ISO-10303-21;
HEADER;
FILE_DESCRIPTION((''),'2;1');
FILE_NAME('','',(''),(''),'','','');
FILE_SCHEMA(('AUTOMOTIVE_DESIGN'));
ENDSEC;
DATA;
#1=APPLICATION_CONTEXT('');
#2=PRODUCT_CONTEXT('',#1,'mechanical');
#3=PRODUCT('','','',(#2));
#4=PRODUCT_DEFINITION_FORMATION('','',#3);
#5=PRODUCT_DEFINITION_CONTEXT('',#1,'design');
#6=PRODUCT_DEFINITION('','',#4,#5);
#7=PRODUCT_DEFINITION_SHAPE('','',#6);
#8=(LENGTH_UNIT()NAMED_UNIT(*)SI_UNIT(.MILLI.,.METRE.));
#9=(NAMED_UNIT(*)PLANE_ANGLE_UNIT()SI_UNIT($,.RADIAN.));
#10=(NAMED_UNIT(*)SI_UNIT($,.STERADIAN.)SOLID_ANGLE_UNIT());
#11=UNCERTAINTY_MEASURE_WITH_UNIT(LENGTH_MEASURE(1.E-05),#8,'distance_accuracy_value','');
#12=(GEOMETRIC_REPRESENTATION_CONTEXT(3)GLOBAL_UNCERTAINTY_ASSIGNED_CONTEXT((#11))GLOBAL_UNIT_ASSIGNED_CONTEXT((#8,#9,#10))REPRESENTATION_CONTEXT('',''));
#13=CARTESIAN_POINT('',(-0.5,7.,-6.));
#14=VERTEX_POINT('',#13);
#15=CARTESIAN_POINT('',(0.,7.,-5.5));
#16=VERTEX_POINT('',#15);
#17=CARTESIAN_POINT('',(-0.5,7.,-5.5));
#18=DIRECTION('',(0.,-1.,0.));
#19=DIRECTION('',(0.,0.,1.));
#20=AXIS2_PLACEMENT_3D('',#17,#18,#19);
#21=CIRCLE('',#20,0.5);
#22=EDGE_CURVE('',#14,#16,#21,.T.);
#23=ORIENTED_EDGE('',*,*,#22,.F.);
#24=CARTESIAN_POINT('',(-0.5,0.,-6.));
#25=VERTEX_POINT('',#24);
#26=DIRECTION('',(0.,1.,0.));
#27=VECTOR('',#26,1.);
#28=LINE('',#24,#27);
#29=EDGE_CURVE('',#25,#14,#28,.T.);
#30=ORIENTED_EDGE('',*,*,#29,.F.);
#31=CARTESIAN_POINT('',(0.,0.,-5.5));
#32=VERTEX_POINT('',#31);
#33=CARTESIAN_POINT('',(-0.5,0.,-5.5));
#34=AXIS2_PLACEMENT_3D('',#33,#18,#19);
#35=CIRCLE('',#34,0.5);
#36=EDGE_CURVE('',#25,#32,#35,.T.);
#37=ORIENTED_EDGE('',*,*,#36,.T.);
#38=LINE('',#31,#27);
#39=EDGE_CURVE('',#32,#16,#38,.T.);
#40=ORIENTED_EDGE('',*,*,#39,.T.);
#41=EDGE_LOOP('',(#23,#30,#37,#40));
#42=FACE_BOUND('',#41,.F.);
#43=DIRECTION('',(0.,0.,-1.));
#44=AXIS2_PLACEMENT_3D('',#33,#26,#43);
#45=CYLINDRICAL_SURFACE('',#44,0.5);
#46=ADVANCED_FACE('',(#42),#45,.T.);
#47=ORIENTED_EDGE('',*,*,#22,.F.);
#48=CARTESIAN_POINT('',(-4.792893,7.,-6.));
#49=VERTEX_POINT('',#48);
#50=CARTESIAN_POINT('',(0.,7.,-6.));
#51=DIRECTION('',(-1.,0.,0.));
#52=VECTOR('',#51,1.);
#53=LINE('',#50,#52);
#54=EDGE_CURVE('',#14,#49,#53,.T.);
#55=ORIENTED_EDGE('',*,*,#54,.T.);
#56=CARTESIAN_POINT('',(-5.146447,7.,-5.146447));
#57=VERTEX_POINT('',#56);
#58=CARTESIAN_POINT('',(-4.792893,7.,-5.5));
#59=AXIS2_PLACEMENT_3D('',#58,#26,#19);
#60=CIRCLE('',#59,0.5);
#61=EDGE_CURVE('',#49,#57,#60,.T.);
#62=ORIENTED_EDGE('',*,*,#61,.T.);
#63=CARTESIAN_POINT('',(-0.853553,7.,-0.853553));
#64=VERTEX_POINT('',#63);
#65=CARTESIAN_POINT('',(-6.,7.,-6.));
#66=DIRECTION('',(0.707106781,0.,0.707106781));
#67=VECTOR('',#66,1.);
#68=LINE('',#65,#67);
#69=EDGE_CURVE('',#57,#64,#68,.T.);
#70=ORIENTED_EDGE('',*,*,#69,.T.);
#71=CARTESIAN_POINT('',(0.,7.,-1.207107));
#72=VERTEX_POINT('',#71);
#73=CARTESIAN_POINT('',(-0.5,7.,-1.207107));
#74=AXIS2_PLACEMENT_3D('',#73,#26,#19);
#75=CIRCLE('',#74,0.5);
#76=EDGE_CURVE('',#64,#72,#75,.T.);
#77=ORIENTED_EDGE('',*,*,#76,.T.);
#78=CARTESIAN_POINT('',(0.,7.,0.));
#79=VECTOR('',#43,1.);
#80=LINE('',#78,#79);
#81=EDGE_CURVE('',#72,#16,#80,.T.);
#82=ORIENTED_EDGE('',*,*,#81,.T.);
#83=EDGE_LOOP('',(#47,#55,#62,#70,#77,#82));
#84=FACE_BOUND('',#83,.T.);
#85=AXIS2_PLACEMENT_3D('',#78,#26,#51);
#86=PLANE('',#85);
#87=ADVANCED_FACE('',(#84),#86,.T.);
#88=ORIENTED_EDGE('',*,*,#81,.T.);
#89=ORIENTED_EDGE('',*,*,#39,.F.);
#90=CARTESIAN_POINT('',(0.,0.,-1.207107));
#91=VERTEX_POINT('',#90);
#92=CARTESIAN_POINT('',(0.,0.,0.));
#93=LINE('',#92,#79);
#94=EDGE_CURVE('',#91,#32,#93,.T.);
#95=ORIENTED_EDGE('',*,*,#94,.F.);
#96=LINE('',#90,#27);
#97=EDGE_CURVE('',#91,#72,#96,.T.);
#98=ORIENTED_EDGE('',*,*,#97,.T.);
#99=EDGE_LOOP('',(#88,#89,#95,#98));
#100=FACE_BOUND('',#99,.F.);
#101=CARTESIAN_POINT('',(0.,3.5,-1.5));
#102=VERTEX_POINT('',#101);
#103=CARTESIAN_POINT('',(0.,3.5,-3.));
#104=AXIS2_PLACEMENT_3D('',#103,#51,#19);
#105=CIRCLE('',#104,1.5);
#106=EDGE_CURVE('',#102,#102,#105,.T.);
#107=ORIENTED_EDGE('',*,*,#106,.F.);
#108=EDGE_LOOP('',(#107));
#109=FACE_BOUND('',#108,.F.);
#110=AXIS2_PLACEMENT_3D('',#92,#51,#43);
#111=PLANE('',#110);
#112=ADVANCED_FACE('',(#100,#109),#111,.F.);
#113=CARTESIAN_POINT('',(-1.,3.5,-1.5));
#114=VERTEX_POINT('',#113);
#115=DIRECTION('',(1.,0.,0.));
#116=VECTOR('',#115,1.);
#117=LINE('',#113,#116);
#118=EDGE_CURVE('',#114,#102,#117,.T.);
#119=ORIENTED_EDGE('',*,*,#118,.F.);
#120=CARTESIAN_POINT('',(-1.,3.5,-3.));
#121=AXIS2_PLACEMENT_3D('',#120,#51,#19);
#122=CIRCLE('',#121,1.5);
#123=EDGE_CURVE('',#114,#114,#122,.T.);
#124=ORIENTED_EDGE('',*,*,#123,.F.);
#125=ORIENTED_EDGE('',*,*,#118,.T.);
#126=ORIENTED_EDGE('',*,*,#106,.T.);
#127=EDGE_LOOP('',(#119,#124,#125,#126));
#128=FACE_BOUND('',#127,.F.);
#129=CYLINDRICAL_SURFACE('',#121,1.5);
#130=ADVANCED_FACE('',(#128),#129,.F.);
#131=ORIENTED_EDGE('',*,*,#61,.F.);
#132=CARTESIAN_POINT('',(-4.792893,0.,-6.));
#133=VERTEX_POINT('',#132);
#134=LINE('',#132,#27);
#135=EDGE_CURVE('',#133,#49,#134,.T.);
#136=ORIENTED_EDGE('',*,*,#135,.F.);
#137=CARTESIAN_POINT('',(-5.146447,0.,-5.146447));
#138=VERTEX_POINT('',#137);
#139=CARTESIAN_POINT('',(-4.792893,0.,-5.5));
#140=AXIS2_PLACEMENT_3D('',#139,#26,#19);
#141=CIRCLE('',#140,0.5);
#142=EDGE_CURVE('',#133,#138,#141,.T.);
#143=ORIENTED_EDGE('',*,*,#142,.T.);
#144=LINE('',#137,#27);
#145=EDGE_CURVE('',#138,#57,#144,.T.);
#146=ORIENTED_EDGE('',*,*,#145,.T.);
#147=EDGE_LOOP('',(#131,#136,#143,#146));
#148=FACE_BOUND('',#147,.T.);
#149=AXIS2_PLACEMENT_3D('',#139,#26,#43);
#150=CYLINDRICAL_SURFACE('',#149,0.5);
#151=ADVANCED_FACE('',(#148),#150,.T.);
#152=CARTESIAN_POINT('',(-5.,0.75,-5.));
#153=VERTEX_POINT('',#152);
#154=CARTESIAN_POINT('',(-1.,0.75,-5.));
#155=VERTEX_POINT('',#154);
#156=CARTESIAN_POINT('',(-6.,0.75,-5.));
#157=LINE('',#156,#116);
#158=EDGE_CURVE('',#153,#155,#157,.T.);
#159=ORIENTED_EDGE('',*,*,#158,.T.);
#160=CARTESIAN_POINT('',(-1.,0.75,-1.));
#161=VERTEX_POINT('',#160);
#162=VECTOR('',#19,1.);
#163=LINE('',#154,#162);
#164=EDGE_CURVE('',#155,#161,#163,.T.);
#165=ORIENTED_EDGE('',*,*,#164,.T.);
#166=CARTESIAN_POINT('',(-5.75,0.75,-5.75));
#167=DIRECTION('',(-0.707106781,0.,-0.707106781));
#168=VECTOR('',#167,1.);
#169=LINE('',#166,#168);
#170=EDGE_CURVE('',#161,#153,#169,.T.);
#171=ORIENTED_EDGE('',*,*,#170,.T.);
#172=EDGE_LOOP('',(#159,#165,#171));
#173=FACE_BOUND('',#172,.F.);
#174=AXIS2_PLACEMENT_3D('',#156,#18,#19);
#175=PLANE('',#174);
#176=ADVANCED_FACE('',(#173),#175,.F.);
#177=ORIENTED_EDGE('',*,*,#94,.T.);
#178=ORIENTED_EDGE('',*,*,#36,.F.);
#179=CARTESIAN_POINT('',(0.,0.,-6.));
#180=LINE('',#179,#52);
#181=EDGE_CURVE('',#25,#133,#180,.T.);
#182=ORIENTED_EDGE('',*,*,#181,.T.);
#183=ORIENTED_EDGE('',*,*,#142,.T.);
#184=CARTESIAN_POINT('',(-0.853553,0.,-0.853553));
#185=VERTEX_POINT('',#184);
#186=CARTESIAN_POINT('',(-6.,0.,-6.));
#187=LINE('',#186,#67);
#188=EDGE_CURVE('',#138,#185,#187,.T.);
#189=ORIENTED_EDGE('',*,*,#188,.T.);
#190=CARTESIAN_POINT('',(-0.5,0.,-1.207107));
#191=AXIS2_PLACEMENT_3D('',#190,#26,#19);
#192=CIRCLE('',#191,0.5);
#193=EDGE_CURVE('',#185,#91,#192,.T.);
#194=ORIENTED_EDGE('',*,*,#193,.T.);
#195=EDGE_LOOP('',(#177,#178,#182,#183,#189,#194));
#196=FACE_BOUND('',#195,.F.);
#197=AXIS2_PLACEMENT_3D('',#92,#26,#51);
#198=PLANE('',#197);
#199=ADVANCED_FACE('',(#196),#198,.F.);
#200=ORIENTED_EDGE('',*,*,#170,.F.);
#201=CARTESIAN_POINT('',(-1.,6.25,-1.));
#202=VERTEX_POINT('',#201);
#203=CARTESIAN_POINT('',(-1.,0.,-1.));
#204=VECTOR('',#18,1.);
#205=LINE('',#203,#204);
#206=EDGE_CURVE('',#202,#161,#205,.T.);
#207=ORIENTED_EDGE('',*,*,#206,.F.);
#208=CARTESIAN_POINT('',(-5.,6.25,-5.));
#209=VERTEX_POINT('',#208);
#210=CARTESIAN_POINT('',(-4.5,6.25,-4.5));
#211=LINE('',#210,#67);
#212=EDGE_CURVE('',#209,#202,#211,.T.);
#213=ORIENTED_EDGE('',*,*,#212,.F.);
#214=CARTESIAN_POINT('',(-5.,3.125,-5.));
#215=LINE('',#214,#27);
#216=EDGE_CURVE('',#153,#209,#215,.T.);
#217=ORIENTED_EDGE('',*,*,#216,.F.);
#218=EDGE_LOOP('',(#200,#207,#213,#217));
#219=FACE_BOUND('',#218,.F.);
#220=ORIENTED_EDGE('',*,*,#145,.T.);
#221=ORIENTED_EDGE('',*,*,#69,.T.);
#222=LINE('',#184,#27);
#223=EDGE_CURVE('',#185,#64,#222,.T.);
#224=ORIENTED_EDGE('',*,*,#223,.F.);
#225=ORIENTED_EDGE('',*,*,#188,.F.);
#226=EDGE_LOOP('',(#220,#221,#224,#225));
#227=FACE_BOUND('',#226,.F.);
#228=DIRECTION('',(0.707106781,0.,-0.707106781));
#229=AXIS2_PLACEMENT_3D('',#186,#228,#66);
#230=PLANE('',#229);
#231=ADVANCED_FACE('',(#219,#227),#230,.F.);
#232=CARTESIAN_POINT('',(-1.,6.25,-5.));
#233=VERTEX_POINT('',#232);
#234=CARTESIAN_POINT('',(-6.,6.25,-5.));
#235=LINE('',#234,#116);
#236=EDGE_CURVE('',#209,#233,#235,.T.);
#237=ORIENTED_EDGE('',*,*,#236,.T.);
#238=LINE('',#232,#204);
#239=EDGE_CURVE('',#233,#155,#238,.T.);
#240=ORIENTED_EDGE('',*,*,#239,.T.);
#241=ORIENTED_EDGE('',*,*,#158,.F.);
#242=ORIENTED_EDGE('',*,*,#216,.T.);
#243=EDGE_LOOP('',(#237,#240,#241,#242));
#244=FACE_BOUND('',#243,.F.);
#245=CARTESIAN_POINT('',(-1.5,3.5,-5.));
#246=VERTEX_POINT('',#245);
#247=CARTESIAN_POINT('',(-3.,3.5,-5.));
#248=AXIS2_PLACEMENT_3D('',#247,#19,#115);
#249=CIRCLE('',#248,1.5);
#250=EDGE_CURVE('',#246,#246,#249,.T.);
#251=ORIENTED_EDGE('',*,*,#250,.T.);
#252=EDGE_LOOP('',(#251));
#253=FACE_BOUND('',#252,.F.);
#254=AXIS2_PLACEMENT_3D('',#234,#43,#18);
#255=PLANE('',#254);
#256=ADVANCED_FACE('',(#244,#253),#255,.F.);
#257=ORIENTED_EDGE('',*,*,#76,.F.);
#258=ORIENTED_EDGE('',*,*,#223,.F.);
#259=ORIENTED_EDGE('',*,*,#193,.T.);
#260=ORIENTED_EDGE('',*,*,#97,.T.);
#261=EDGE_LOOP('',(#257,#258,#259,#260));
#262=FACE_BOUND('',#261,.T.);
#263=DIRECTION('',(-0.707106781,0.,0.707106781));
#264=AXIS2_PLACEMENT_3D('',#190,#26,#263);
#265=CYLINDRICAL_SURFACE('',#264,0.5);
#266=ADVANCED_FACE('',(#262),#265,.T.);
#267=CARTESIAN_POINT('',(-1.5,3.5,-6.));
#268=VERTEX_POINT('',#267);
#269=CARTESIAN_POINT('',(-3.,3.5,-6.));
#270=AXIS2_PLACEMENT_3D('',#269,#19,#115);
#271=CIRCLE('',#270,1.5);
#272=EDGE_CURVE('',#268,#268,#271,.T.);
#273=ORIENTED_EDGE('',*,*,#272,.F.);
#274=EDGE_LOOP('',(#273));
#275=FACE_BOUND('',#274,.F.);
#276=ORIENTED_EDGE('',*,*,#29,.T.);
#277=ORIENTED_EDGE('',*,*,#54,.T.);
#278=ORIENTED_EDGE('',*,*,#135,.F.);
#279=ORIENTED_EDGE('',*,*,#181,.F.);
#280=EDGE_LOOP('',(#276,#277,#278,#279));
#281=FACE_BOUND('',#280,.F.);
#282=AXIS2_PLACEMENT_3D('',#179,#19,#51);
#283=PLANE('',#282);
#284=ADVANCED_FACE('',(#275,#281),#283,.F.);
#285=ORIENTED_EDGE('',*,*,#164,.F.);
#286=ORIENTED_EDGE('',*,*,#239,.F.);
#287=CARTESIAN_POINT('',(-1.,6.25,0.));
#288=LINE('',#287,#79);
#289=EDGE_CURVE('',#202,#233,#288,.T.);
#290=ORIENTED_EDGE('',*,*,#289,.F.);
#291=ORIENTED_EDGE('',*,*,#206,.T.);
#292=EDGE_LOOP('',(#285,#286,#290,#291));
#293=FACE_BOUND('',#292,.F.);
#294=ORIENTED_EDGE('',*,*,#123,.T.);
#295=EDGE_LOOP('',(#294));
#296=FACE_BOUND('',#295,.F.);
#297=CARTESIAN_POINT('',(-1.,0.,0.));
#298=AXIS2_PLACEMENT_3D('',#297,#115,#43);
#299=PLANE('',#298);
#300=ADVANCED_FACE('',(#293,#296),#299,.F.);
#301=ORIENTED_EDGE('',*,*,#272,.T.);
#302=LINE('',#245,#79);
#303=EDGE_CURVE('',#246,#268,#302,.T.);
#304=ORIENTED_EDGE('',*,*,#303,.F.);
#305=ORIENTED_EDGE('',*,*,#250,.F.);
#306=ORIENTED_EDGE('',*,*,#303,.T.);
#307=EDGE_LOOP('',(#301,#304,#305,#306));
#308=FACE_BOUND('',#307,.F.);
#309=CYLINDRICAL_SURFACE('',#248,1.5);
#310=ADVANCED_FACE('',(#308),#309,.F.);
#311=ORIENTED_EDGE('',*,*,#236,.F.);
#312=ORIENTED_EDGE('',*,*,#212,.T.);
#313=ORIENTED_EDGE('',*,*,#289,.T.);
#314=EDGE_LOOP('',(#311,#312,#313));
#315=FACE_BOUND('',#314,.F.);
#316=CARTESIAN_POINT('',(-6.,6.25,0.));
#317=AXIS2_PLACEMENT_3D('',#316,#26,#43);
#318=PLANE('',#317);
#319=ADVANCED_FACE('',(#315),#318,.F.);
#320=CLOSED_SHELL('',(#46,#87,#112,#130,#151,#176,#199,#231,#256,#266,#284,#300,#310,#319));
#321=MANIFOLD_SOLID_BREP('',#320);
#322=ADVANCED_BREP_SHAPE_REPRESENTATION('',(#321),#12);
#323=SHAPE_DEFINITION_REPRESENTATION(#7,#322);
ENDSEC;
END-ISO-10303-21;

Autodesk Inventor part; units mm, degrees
ref_plane "YZ Plane" through (0, 0, 0) normal (1, 0, 0) x (0, 1, 0)
ref_plane "XZ Plane" through (0, 0, 0) normal (0, 1, 0) x (-1, 0, 0)
ref_plane "XY Plane" through (0, 0, 0) normal (0, 0, 1) x (1, 0, 0)
sketch "Sketch1" plane through (0, 0, 0) normal (0, 1, 0) x (-1, 0, 0)
  line L0 (0, 0) -> (0, -6)
  line L1 (0, -6) -> (6, -6)
  line L2 (6, -6) -> (0, 0)
  dimension "d0" = 6
  dimension "d1" = 6
extrude "Extrusion1" add sketch "Sketch1" along normal blind 7
ref_plane "Work Plane1" through (-6, 0, 0) normal (1, 0, 0) x (0, 0, -1)
fillet "Fillet1" radius 0.5 1 edges at (0, 3.5, -6)
sketch "Sketch2" plane through (-6, 0, 0) normal (1, 0, 0) x (0, 0, -1)
  line L0 (0, 0) -> (0, 7) projected
  line L1 (0, 6.25) -> (5, 6.25)
  line L2 (5, 6.25) -> (5, 0.75)
  line L3 (5, 0.75) -> (0, 0.75)
  line L4 (0, 0.75) -> (0, 6.25)
  line L5 (6, 7) -> (0, 7) projected
  point P0 (0, 0.75)
  dimension "d6" = 5.5
  dimension "d7" = 5
  dimension "d8" = 0.75
extrude "Extrusion2" cut sketch "Sketch2" along normal blind 5
sketch "Sketch3" plane through (-1, 0, 0) normal (-1, 0, 0) x (0, 0, 1)
  circle A0 centre (-3, 3.5) radius 1.5
  line L0 (-6, 0) -> (0, 0) projected
  dimension "d11" = 3
  dimension "d12" = 3.5
  dimension "d13" = 3
extrude "Extrusion3" cut sketch "Sketch3" against normal blind 5
sketch "Sketch4" plane through (-5, 0.75, -5) normal (0, 0, 1) x (1, 0, 0)
  circle A0 centre (2, 2.75) radius 1.5
  line L0 (-1, 7.65) -> (-1, -2.15) projected
  line L1 (-1, -0.75) -> (5, -0.75) projected
  dimension "d16" = 3
  dimension "d17" = 3
  dimension "d18" = 3.5
extrude "Extrusion4" cut sketch "Sketch4" against normal blind 5
fillet "Fillet2" radius 0.5 1 edges at (-6, 3.5, -6)
fillet "Fillet3" radius 0.5 1 edges at (0, 3.5, 0)
properties part number "bracket"
